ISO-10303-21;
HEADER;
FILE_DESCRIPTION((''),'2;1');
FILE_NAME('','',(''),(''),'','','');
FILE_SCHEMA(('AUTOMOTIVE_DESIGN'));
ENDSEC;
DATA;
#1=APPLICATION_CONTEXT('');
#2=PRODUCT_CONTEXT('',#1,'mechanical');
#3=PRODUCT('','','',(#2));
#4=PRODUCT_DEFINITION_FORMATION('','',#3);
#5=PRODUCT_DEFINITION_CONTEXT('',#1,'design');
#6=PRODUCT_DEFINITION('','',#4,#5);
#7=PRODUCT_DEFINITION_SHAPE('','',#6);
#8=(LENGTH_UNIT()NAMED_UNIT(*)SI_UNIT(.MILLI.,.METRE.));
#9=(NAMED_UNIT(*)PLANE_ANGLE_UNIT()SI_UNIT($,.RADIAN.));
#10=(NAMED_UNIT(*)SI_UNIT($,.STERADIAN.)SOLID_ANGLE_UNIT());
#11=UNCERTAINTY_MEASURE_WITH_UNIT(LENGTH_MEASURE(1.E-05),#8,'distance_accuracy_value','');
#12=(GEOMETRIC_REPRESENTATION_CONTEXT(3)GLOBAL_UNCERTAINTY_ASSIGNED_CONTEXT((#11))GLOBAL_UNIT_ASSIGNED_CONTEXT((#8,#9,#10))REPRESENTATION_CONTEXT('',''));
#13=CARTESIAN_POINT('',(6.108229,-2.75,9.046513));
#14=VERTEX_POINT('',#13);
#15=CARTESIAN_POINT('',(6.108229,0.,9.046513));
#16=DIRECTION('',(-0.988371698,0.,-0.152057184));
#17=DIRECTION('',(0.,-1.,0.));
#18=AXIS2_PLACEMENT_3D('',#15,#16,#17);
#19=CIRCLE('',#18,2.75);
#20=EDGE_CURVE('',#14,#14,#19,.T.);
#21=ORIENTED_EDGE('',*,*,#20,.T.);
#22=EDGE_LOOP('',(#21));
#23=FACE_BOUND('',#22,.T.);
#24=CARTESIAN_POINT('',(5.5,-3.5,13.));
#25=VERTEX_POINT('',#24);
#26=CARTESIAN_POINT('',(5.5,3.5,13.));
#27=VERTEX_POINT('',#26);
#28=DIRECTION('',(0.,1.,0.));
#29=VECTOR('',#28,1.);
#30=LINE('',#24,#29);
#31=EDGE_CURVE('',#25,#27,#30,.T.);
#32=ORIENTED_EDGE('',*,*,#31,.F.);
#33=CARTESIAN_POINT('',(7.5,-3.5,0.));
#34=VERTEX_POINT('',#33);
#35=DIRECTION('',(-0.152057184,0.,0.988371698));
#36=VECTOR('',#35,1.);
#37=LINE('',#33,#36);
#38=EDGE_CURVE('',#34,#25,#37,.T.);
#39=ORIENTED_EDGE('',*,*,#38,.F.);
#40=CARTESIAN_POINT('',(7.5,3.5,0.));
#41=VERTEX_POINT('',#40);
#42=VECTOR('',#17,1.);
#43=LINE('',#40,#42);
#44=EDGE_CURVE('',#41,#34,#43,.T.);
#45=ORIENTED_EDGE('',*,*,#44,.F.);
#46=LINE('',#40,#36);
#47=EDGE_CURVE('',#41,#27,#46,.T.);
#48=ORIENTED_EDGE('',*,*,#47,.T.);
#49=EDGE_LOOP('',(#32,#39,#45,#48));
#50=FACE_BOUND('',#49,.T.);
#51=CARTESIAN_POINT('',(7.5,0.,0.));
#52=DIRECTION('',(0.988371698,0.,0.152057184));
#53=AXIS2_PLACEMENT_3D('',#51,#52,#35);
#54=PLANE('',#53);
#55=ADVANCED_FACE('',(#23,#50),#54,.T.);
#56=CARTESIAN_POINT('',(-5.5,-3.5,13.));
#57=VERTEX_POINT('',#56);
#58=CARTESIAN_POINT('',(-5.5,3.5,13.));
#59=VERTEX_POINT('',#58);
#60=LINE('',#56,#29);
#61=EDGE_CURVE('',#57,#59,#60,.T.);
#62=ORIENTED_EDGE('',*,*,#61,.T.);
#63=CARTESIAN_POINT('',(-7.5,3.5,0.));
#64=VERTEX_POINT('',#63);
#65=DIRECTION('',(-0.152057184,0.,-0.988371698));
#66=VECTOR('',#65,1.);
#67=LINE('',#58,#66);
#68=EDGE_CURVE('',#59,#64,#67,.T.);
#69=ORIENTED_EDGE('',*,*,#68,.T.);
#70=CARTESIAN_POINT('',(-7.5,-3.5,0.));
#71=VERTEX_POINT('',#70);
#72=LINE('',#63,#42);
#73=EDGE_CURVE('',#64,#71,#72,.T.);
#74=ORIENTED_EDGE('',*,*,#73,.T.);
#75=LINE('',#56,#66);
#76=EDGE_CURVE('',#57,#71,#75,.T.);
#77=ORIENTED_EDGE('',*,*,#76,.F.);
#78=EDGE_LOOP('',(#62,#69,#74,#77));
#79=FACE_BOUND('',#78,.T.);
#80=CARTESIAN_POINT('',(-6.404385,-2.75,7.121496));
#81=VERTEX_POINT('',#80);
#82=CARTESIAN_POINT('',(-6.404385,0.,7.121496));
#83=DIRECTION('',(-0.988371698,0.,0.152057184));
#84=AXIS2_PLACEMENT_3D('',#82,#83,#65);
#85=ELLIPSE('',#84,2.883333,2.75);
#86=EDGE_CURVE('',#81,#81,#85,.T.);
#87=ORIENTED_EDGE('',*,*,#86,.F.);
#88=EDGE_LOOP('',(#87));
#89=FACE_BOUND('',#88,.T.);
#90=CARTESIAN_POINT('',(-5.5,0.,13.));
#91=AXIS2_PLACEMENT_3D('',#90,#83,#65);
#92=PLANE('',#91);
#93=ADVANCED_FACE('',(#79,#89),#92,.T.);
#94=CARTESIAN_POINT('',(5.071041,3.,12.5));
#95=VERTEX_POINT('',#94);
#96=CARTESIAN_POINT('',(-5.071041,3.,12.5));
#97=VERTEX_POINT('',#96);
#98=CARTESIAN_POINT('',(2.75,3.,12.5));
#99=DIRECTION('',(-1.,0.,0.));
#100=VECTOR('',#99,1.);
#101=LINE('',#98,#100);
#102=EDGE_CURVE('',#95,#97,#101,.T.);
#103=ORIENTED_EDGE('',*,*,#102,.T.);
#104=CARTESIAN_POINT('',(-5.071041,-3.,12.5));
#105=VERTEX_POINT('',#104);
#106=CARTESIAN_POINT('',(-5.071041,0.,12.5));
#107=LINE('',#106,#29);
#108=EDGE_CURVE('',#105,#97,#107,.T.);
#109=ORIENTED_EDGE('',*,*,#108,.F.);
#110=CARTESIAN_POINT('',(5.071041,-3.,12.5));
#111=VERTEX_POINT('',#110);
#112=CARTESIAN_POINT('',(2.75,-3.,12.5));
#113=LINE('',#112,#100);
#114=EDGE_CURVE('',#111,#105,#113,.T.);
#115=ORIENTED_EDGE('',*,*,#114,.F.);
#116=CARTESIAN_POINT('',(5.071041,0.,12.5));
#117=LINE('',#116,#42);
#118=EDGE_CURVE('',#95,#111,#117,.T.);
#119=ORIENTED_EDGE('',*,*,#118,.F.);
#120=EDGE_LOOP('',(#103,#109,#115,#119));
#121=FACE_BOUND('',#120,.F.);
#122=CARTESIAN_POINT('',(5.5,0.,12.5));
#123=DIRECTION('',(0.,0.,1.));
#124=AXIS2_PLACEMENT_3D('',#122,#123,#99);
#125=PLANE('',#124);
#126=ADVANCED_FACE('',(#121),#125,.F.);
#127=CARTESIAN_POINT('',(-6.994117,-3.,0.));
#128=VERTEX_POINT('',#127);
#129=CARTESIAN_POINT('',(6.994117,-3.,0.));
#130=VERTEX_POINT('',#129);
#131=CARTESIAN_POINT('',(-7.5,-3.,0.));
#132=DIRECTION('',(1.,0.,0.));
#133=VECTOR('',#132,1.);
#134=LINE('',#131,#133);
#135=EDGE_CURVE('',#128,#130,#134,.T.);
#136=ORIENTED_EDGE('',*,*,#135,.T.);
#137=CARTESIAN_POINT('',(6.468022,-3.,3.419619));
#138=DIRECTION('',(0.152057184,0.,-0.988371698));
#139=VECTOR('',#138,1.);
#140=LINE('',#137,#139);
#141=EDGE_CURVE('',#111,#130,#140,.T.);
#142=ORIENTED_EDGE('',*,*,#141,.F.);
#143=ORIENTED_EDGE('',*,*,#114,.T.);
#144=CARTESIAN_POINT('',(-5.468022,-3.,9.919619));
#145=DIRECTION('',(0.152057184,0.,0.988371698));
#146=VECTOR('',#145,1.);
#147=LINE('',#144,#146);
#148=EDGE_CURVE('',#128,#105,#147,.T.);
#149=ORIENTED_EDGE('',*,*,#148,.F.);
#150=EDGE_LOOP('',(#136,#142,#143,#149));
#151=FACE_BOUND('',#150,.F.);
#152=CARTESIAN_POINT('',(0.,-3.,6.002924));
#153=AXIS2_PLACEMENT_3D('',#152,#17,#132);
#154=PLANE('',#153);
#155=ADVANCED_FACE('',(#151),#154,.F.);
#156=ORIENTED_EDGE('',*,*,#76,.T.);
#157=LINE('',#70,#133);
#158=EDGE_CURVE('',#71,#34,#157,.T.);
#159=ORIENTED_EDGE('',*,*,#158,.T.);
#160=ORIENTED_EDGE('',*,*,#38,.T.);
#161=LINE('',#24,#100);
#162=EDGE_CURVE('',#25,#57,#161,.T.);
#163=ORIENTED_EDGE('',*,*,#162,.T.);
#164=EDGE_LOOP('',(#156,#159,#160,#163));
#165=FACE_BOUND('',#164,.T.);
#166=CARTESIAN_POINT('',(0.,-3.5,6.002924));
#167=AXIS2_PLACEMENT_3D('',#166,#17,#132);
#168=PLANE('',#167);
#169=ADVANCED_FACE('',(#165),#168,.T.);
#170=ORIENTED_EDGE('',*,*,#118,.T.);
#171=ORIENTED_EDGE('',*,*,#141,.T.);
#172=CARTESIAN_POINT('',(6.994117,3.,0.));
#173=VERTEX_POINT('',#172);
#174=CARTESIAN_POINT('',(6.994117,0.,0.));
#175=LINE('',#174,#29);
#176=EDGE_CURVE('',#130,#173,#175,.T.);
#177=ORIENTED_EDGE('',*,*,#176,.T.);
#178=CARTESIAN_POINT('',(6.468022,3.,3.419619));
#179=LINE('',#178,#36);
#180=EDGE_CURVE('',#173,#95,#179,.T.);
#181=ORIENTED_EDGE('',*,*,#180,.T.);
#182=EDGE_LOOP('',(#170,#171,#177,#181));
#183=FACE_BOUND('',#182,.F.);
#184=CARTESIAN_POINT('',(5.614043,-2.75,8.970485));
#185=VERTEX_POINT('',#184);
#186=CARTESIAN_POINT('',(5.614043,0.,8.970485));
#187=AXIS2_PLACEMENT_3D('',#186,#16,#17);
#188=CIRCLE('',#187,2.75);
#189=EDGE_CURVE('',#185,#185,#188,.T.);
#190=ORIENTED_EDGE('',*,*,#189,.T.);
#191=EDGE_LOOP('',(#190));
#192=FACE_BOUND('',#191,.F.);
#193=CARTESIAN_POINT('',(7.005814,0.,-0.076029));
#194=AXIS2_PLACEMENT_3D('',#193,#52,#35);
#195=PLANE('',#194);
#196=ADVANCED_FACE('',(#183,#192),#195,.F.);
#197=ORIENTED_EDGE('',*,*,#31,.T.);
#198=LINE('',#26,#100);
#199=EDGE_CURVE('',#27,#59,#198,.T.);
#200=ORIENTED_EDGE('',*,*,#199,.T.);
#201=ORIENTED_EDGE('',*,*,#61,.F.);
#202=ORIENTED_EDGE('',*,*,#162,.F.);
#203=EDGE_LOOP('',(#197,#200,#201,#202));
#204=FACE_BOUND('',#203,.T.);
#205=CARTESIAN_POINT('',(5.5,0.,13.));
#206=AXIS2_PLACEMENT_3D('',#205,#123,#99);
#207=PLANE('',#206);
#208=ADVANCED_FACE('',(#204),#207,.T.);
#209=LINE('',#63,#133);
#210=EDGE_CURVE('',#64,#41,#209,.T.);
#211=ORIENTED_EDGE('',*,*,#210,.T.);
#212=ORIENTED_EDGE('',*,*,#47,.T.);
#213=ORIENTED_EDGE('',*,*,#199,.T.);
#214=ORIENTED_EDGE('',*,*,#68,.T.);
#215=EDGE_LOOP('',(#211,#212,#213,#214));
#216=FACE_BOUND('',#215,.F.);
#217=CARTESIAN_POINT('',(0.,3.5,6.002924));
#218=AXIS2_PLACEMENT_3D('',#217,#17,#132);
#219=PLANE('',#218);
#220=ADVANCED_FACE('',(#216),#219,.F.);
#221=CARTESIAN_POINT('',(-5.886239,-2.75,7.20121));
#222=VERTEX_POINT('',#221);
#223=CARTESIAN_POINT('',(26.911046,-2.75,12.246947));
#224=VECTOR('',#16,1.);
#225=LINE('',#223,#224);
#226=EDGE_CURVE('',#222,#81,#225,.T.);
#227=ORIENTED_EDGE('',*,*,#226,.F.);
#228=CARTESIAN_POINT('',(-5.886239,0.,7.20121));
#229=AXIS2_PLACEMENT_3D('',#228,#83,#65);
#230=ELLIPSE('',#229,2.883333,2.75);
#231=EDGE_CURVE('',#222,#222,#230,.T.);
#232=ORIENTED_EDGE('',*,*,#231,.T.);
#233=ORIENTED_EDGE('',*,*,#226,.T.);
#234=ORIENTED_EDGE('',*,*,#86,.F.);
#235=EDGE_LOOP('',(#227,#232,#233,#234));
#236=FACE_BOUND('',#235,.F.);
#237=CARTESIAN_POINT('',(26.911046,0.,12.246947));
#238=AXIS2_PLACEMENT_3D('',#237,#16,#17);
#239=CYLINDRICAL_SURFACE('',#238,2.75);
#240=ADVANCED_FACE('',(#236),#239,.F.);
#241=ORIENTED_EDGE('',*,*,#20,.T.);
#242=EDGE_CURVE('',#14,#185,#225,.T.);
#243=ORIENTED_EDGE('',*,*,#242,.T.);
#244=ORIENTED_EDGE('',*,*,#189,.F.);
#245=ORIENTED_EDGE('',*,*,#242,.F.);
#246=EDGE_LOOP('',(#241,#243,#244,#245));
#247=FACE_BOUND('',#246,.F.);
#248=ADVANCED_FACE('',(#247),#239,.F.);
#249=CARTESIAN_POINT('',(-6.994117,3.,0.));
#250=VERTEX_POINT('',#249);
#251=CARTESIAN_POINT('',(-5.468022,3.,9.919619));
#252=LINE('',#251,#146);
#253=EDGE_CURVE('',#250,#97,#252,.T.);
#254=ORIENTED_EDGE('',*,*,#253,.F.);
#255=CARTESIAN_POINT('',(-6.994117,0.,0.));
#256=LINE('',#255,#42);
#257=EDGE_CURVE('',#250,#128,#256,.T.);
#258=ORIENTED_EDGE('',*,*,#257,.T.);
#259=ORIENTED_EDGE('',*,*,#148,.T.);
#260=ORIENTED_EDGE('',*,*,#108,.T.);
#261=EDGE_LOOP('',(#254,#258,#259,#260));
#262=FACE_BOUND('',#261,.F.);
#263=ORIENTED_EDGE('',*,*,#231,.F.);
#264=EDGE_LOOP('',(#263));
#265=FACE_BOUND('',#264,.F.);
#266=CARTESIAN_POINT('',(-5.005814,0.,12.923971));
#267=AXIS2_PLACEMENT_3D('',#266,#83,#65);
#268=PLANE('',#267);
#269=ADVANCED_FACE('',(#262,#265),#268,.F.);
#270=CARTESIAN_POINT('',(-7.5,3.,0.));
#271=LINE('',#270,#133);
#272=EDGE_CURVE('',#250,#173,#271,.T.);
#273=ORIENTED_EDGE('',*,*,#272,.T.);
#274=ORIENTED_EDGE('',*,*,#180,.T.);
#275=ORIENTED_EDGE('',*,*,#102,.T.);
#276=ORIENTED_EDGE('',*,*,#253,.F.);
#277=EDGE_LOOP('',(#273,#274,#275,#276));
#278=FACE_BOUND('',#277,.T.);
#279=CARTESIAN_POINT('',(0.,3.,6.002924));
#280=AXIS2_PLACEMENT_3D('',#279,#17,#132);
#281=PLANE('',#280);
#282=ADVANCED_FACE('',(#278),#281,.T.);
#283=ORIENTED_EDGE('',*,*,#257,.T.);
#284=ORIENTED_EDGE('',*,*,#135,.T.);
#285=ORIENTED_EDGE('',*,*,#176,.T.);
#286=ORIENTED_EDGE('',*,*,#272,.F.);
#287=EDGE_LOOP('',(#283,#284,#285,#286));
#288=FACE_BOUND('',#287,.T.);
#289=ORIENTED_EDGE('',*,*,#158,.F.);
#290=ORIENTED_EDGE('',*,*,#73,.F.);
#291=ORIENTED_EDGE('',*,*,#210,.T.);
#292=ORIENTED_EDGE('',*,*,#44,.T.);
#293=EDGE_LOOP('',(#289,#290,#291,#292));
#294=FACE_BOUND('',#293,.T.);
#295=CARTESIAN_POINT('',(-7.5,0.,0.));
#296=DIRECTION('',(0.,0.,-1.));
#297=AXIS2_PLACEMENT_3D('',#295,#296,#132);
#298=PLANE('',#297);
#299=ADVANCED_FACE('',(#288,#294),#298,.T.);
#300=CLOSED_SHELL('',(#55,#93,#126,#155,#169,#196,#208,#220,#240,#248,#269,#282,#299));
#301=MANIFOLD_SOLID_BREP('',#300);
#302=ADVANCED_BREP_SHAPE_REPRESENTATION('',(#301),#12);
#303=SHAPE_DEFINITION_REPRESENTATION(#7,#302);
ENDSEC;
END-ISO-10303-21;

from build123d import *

# Parameters (mm, degrees)
F1_DEPTH = 3.5
F2_T     = -0.5
F4_D     = 5.5


with BuildPart() as f1:
    # F0 (on Front) → F1 (new body, symmetric)
    with BuildSketch(Plane.XZ):
        Polygon((-5.5, 13), (-7.5, 0), (7.5, 0), (5.5, 13), align=None)
    extrude(amount=F1_DEPTH, both=True)

    # F2
    f2_openings = [f1.faces().sort_by_distance(p)[0] for p in [
        (0, 0, 0),
    ]]
    offset(amount=F2_T, openings=f2_openings)

    # F4 (through all)
    with Locations(Plane(origin=(7.3265895954, 0, 1.1271676301), x_dir=(0, 1, 0), z_dir=(0.9883716977, 0, 0.1520571843))):
        with Locations((0, 8.0125175561)):
            Hole(F4_D / 2)


solid = f1.part
